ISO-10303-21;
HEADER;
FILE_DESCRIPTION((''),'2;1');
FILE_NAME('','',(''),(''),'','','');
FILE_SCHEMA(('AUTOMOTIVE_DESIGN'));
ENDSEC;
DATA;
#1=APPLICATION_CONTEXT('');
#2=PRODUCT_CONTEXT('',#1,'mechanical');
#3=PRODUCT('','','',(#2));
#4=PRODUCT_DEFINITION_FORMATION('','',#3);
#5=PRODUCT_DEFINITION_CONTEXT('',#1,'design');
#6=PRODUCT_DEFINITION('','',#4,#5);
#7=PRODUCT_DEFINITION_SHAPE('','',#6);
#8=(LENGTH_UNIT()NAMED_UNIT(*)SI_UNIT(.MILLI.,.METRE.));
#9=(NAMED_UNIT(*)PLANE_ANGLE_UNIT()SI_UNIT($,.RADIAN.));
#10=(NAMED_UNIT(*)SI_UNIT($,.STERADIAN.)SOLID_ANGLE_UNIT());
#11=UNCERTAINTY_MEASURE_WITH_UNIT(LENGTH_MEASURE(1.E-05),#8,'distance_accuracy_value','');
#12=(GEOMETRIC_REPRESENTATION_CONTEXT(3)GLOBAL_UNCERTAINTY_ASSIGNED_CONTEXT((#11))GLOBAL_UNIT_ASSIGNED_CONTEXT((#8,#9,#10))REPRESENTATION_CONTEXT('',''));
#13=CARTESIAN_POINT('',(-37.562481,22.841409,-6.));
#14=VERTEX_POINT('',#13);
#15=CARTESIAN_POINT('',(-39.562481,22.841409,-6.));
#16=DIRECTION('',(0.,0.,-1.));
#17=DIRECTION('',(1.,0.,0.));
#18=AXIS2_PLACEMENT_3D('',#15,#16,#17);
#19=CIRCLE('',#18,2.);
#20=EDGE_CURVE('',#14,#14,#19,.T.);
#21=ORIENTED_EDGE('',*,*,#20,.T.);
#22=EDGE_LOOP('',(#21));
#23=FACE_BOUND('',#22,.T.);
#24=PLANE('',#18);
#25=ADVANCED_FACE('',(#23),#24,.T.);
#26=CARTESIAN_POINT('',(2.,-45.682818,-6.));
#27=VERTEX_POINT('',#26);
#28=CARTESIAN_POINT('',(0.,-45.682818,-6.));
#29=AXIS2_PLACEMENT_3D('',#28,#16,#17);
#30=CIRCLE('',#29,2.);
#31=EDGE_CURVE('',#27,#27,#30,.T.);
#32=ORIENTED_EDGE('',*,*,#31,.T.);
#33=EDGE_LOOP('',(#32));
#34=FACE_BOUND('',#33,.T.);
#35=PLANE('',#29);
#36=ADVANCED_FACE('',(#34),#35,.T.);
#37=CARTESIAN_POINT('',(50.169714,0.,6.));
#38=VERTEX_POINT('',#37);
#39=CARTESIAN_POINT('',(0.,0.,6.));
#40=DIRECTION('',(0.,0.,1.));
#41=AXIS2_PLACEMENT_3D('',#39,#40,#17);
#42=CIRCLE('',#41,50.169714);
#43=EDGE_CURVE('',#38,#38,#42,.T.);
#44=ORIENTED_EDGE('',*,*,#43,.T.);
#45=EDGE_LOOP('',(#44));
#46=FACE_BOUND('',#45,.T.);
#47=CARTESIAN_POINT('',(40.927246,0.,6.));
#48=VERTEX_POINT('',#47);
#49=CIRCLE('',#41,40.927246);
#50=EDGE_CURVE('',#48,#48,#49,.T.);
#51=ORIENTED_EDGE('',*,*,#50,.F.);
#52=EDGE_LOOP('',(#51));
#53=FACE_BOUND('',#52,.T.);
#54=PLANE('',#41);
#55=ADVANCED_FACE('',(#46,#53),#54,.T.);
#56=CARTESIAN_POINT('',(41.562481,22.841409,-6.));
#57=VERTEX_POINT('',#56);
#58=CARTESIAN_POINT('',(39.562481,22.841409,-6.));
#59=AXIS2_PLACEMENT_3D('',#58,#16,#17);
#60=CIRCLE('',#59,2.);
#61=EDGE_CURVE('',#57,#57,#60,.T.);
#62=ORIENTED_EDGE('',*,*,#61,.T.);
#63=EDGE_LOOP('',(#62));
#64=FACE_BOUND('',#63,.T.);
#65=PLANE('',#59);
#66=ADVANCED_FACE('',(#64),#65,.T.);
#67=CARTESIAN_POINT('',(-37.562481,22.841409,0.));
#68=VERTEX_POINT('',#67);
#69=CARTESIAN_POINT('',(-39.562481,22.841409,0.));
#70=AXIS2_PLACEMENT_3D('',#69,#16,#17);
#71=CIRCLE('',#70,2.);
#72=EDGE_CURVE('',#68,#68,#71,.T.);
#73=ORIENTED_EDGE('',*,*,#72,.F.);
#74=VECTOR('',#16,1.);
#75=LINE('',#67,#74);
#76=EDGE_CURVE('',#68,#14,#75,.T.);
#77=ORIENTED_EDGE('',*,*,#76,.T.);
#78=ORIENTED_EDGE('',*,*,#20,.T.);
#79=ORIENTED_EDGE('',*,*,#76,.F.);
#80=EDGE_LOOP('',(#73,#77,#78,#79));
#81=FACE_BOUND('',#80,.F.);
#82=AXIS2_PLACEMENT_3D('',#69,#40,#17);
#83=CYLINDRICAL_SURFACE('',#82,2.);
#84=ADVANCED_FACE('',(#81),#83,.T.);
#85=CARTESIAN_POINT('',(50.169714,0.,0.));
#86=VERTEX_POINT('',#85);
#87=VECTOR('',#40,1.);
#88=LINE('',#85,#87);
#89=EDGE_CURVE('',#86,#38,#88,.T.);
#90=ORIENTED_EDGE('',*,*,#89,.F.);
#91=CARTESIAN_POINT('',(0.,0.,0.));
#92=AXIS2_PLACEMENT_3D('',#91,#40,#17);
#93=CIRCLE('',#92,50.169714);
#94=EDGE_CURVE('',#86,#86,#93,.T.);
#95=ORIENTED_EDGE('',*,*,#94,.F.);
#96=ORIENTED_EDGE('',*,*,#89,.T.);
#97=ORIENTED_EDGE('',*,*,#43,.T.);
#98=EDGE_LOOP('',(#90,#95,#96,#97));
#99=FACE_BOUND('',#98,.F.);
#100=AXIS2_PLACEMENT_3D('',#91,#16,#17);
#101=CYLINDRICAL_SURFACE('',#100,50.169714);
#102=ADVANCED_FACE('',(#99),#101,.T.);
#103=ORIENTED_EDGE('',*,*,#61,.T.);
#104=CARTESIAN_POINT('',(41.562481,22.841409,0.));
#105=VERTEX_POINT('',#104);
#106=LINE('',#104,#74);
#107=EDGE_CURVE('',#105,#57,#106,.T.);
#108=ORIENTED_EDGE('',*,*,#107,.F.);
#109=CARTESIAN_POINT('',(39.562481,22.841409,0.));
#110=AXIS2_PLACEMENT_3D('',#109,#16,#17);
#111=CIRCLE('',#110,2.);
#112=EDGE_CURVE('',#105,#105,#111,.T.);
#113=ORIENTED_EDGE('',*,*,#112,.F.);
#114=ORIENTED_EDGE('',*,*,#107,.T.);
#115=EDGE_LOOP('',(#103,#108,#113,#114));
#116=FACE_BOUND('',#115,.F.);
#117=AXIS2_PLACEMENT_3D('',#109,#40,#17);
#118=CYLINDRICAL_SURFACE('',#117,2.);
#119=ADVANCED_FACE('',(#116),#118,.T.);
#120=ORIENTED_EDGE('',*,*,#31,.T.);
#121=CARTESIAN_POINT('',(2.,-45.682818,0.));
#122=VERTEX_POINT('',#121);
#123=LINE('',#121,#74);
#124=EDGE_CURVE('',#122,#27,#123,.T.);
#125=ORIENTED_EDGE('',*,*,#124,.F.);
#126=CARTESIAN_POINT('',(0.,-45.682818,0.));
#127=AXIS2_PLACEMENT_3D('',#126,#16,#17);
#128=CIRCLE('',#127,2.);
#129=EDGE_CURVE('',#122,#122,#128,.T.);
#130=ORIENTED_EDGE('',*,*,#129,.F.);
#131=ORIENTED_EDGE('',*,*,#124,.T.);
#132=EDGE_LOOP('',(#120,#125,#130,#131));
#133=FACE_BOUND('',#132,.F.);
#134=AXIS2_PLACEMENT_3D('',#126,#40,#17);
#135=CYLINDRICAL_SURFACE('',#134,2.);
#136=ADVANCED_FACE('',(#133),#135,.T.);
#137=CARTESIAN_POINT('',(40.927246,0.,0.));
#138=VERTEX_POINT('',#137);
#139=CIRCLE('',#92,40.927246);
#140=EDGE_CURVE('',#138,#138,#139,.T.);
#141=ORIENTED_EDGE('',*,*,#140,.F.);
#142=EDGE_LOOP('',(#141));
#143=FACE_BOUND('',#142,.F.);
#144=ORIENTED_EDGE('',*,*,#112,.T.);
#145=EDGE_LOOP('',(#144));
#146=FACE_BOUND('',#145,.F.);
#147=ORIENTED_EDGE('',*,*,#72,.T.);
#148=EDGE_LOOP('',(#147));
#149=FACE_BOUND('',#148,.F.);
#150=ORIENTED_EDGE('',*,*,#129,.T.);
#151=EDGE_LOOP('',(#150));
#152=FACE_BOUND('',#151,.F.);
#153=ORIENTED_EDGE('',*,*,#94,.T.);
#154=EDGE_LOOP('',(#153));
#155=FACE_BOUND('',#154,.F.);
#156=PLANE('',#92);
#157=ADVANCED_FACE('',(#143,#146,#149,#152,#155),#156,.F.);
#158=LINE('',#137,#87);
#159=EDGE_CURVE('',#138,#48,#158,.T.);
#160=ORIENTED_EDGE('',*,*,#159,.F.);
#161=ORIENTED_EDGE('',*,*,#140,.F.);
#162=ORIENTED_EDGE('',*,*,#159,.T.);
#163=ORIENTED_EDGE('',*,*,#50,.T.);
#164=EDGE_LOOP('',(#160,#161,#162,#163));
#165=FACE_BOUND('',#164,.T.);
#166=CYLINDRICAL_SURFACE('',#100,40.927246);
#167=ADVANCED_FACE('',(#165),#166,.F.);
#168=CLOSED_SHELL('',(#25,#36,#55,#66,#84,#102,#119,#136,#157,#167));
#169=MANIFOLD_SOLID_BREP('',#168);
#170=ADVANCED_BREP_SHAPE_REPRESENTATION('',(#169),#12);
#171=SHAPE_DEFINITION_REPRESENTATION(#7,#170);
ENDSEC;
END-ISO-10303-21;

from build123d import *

# Parameters (mm, degrees)
F0_R     = 50.169714
F0_R_2   = 40.927246
F1_DEPTH = 6
F2_R     = 2
F3_DEPTH = 6


with BuildPart() as f1:
    # F0 (on Top) → F1 (new body)
    with BuildSketch(Plane.XY):
        Circle(F0_R)
        Circle(F0_R_2, mode=Mode.SUBTRACT)
    extrude(amount=F1_DEPTH)

    # F2 (on face) → F3 (join)
    with BuildSketch(Plane(origin=(0, 0, 0), x_dir=(1, 0, 0), z_dir=(0, 0, -1))):
        with Locations((0, 45.682818)):
            Circle(F2_R)
        with Locations((-39.562481, -22.841409)):
            Circle(F2_R)
        with Locations((39.562481, -22.841409)):
            Circle(F2_R)
    extrude(amount=F3_DEPTH)


solid = f1.part
